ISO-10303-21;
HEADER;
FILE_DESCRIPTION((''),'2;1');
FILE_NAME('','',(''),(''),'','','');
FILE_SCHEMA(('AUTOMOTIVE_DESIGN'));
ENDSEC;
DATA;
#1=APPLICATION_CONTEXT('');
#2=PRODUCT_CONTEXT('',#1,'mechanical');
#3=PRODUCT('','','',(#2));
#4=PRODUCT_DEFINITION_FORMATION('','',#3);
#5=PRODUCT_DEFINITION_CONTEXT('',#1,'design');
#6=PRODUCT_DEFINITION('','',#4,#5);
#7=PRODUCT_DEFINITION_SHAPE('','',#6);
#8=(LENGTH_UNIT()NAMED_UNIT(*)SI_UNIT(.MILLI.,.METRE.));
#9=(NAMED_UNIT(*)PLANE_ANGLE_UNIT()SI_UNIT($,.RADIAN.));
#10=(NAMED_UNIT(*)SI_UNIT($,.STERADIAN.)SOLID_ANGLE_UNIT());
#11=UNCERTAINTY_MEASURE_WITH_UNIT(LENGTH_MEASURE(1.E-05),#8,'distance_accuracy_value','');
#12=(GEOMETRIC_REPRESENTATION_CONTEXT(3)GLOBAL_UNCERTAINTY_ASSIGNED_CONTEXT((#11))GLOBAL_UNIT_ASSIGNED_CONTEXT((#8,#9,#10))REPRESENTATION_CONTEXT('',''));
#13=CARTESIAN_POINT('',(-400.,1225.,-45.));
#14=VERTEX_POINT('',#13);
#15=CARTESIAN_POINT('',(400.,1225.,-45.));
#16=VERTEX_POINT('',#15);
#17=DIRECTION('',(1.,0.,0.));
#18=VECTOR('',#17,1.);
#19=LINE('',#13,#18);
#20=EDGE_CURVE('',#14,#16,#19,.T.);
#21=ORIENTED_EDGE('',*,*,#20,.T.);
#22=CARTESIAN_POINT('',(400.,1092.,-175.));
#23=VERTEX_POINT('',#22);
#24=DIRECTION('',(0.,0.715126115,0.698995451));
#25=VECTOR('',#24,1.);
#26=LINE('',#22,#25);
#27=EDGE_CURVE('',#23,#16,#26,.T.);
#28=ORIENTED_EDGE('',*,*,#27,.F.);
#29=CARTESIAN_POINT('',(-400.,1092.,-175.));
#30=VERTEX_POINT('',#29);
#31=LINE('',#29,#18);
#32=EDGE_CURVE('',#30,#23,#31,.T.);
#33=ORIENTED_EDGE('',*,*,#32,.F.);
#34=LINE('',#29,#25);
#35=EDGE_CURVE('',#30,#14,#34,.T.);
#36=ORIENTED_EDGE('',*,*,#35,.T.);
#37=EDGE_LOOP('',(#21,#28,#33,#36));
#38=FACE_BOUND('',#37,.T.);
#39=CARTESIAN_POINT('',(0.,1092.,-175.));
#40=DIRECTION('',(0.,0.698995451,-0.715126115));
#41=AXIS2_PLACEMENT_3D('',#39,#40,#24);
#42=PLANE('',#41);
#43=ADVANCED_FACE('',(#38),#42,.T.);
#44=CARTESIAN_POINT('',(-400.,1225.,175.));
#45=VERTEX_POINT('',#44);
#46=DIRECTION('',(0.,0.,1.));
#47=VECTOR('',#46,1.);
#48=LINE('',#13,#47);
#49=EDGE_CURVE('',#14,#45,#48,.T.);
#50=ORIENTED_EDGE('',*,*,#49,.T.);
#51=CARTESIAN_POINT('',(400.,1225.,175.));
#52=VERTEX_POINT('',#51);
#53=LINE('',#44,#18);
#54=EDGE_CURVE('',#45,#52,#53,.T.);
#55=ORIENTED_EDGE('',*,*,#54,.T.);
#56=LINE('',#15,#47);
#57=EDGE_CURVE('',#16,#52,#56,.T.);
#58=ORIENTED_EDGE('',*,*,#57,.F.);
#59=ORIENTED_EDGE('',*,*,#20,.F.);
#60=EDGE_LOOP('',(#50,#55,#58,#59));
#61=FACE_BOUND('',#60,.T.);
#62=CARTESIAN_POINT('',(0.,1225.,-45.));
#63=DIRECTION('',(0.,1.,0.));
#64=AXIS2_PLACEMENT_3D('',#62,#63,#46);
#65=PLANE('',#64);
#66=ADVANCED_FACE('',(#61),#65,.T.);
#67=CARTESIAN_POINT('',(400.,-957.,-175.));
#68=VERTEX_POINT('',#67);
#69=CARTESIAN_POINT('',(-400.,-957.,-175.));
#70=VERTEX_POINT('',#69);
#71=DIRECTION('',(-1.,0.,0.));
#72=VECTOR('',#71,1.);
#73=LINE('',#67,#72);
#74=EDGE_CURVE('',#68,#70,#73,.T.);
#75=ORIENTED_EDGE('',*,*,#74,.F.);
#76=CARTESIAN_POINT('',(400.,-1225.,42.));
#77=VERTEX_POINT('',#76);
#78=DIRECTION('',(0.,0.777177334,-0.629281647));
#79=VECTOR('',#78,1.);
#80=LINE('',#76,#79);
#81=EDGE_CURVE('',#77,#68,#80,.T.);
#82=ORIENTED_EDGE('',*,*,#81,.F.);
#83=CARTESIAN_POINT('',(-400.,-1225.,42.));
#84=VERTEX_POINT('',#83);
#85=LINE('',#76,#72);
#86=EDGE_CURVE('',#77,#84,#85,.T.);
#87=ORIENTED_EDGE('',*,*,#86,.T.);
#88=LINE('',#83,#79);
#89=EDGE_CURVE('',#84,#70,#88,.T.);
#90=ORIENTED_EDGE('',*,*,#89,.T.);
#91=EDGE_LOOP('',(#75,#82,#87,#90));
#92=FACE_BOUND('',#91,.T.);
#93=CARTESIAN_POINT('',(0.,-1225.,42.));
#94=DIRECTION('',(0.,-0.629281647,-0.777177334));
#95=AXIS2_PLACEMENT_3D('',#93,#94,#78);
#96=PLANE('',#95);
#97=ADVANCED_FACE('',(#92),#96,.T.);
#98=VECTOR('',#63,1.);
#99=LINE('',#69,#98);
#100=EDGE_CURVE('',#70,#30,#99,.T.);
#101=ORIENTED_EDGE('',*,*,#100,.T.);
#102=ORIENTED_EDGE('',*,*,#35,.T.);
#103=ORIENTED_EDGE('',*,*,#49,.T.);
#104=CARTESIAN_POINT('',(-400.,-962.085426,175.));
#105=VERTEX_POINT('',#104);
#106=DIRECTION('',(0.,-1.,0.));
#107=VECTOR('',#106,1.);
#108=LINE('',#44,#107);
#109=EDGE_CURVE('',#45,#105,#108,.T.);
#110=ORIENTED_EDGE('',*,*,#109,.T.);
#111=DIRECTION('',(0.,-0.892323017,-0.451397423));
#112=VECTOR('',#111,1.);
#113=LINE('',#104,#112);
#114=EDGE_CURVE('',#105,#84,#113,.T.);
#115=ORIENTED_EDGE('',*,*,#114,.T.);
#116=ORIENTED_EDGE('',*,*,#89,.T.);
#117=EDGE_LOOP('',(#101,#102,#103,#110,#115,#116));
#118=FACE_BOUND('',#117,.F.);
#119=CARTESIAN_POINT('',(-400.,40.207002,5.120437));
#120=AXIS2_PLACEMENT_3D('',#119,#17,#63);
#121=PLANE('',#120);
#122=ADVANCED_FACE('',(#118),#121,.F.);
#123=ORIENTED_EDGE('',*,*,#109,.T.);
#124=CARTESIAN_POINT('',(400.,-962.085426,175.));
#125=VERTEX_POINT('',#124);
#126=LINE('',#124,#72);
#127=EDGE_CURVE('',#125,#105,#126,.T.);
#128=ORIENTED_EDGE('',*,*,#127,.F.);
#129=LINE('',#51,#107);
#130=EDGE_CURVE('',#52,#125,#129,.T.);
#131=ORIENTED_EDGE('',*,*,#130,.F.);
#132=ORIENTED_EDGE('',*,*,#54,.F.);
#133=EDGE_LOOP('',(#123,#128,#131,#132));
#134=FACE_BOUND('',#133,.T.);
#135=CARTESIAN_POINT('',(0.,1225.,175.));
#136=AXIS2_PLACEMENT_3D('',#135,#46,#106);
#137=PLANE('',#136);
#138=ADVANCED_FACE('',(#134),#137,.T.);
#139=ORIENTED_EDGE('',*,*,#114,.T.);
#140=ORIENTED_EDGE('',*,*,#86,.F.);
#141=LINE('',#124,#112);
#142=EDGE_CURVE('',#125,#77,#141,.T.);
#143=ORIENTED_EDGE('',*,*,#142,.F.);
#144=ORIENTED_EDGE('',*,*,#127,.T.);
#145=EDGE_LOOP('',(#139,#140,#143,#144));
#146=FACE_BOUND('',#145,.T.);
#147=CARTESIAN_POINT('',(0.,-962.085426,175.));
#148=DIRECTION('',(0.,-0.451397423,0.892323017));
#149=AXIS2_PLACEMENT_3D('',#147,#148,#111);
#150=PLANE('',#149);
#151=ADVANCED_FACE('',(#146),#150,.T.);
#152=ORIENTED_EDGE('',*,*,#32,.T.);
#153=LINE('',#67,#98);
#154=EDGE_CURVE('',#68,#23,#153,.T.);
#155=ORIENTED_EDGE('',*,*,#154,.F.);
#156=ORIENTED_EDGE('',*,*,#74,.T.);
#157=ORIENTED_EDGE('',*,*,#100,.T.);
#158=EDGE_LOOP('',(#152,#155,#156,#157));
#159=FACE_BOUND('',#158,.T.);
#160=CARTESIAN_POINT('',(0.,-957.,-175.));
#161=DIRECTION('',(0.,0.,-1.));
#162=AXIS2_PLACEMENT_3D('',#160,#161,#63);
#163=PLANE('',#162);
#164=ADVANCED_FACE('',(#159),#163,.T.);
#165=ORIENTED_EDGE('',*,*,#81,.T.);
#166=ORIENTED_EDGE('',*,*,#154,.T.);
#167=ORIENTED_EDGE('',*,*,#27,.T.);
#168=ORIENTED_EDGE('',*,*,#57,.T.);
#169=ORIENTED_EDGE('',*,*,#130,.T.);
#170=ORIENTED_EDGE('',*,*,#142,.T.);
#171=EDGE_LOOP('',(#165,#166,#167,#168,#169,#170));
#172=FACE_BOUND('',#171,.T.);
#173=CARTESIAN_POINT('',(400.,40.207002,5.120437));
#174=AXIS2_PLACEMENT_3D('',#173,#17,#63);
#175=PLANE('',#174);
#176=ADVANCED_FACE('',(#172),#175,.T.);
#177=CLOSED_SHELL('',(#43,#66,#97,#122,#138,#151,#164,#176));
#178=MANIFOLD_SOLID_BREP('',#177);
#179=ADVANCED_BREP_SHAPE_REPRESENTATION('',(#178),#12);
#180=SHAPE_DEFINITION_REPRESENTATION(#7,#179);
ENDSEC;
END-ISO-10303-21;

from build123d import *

# Parameters (mm, degrees)
F1_DEPTH      = 400
F1_DEPTH_BACK = 400


with BuildPart() as f1:
    # F0 (on Right) → F1 (new body, two sides)
    with BuildSketch(Plane.YZ) as f1_sk:
        Polygon((-957, -175), (1092, -175), (1225, -45), (1225, 175), (-962.085426, 175), (-1225, 42), align=None)
    extrude(amount=F1_DEPTH)
    extrude(f1_sk.sketch, amount=-F1_DEPTH_BACK)


solid = f1.part
